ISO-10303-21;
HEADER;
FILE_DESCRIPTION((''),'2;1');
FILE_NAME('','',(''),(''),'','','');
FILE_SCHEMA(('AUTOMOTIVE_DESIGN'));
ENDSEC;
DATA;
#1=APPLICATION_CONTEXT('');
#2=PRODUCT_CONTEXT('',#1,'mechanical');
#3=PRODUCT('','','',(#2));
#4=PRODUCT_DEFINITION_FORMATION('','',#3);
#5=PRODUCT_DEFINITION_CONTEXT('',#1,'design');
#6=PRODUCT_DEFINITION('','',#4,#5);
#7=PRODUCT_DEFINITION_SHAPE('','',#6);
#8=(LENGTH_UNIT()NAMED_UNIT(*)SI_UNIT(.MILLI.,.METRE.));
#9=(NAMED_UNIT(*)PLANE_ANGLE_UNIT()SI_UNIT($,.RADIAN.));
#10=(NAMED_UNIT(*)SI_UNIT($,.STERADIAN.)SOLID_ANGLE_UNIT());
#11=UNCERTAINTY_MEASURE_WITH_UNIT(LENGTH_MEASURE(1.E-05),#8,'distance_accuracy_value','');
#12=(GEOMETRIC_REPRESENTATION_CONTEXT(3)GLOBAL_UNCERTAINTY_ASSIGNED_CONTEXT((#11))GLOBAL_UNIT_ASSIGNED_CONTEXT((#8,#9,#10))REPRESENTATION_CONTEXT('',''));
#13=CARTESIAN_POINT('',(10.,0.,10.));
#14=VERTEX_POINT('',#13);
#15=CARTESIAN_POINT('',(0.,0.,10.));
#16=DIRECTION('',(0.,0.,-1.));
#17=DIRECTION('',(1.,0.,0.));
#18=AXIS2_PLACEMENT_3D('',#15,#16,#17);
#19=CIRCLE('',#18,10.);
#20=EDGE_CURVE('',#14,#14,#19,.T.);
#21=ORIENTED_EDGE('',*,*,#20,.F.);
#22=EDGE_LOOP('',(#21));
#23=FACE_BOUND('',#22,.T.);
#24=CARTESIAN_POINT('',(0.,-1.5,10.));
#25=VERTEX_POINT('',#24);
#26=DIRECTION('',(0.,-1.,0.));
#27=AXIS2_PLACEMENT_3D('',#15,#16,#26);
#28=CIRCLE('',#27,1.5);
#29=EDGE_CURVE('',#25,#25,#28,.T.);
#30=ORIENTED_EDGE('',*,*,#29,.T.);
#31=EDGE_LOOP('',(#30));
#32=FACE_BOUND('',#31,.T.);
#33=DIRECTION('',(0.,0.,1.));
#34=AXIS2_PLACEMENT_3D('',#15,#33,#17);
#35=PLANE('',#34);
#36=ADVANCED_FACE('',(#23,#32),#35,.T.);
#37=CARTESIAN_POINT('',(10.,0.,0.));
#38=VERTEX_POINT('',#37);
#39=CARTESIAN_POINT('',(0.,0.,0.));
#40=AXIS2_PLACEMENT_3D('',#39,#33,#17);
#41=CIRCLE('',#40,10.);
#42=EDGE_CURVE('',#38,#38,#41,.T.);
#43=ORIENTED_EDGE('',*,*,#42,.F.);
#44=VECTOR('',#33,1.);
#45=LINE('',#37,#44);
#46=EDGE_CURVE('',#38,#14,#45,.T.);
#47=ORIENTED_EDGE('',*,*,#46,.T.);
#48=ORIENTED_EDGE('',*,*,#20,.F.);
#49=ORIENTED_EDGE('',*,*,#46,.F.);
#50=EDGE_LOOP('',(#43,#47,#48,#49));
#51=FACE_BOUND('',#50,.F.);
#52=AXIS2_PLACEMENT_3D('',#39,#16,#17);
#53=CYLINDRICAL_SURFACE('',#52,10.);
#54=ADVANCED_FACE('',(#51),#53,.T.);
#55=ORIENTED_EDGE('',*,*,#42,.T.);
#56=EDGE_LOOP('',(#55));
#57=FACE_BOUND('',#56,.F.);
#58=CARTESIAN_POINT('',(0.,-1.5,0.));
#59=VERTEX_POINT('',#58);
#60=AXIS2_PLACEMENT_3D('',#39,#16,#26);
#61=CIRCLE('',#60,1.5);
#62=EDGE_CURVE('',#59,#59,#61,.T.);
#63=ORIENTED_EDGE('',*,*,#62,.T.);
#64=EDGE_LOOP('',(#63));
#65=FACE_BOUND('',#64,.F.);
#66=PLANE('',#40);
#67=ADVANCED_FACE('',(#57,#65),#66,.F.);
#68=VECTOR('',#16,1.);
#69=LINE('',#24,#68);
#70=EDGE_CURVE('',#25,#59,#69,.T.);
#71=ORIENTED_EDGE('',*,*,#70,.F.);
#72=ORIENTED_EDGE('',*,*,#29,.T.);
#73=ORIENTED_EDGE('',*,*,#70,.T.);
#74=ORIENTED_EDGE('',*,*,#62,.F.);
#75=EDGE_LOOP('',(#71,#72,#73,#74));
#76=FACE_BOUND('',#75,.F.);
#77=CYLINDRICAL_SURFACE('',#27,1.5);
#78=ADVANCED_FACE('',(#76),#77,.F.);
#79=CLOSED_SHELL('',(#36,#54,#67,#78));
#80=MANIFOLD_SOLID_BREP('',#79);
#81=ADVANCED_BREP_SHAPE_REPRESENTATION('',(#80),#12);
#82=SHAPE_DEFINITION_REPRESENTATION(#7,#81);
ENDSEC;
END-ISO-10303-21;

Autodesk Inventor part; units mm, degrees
ref_plane "YZ Plane" through (0, 0, 0) normal (1, 0, 0) x (0, 1, 0)
ref_plane "XZ Plane" through (0, 0, 0) normal (0, 1, 0) x (-1, 0, 0)
ref_plane "XY Plane" through (0, 0, 0) normal (0, 0, 1) x (1, 0, 0)
sketch "Skizze1" plane through (0, 0, 0) normal (0, 0, 1) x (1, 0, 0)
  line L0 (0, -14) -> (0, 14) projected
  line L1 (-14, 0) -> (14, 0) projected
  circle A0 centre (0, 0) radius 10
  dimension "d0" = 20
extrude "Extrusion1" add sketch "Skizze1" along normal blind 10
sketch "Skizze2" plane through (0, 0, 10) normal (0, 0, 1) x (1, 0, 0)
  point P0 (0, 0)
  point P1 (0, 0)
hole "Bohrung1" at (0, 0, 10) direction (0, 0, -1) diameter 3 end through all
properties part number "abstandshalter 10mm" material "Stahl"
